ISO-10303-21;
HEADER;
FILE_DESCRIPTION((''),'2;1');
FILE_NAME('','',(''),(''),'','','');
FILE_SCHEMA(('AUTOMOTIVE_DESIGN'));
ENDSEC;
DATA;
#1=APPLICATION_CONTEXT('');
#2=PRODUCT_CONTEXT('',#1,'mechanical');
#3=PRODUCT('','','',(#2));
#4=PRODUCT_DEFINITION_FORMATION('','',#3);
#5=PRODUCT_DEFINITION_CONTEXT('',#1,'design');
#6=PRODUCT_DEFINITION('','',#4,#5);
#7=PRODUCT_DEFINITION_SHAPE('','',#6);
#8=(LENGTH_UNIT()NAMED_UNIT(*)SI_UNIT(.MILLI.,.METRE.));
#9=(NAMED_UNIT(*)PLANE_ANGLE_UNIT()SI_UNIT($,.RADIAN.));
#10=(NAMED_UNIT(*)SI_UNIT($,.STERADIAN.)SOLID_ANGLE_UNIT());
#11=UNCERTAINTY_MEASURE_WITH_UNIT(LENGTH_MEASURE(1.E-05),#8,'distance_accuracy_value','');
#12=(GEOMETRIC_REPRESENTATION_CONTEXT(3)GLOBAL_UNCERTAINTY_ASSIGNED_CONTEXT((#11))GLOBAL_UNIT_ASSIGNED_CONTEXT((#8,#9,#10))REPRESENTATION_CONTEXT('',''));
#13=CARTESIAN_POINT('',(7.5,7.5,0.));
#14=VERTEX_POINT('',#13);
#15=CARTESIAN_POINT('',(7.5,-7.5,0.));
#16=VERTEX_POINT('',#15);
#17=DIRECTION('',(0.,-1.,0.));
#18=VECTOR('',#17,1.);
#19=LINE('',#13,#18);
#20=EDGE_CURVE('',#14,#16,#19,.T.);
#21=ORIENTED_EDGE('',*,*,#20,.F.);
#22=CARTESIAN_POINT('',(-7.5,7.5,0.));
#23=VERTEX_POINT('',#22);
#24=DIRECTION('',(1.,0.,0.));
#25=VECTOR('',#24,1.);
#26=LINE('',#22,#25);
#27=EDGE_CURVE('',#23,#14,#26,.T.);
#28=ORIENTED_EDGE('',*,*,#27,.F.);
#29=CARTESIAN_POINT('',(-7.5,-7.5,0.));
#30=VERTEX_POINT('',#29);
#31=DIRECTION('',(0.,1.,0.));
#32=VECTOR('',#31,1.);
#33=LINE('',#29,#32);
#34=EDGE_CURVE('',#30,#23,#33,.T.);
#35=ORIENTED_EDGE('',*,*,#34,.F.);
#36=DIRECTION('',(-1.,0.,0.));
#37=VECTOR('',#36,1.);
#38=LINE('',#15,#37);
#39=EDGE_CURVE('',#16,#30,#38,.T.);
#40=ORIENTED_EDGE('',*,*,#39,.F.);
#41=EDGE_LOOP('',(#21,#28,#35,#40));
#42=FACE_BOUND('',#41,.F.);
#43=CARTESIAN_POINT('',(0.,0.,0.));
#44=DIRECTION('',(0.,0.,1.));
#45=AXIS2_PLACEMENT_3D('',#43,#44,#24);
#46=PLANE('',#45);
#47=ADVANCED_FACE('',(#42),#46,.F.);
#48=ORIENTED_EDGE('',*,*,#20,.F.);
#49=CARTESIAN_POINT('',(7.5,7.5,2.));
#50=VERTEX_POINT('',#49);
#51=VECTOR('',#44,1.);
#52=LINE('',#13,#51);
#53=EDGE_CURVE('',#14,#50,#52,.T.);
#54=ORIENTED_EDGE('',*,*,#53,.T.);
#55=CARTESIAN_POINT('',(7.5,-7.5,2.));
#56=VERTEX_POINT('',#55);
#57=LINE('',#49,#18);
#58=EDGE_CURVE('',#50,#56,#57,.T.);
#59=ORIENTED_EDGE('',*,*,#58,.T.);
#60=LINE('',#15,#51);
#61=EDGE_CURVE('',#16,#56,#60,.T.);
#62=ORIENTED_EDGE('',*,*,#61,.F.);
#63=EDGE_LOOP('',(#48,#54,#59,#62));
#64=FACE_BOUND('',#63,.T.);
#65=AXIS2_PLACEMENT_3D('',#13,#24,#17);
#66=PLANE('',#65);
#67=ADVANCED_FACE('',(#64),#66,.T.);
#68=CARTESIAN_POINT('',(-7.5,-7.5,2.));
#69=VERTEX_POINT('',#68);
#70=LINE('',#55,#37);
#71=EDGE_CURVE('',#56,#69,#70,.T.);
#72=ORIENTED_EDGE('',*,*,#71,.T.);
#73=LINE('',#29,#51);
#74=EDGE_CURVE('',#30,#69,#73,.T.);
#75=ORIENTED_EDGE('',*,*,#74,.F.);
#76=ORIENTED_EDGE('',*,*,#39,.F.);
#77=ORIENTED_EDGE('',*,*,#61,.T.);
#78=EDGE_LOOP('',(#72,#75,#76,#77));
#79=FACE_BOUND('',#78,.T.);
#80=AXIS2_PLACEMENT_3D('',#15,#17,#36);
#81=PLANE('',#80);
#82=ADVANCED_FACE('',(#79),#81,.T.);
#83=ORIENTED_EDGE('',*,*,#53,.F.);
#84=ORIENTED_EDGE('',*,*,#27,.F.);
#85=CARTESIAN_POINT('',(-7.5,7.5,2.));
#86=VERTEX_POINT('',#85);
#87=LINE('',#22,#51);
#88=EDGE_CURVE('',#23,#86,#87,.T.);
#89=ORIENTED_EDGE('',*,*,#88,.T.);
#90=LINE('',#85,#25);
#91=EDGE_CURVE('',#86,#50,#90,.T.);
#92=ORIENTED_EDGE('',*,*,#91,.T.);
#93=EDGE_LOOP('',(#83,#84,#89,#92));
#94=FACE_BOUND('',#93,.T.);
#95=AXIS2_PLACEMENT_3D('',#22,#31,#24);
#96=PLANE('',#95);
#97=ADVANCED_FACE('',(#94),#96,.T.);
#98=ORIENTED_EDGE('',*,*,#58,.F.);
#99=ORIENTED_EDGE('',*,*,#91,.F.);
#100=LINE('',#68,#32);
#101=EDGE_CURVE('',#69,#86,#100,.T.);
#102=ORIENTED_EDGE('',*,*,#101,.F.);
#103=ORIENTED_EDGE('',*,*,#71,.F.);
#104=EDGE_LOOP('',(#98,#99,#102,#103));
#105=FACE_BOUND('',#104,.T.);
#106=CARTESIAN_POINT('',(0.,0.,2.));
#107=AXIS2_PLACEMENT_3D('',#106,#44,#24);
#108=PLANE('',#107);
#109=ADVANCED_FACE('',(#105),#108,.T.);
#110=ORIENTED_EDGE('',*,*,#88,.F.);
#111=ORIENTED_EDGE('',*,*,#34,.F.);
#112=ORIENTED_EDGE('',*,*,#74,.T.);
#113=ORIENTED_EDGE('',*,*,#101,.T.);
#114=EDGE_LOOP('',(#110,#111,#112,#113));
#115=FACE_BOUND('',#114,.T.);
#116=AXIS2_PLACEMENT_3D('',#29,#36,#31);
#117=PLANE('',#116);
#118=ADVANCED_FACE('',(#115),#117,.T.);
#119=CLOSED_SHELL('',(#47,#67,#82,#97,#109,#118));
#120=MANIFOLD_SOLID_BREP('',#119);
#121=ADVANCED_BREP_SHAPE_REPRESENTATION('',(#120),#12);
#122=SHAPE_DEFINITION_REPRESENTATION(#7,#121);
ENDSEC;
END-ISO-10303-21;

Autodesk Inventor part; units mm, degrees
ref_plane "YZ Plane" through (0, 0, 0) normal (1, 0, 0) x (0, 1, 0)
ref_plane "XZ Plane" through (0, 0, 0) normal (0, 1, 0) x (-1, 0, 0)
ref_plane "XY Plane" through (0, 0, 0) normal (0, 0, 1) x (1, 0, 0)
sketch "Sketch1" plane through (0, 0, 0) normal (0, 0, 1) x (1, 0, 0)
  line L0 (-7.5, 7.5) -> (7.5, 7.5)
  line L1 (7.5, 7.5) -> (7.5, -7.5)
  line L2 (7.5, -7.5) -> (-7.5, -7.5)
  line L3 (-7.5, -7.5) -> (-7.5, 7.5)
  point P0 (0, 0)
  point P1 (0, 7.5)
  point P2 (7.5, 0)
  dimension "d0" = 15
  dimension "d1" = 15
extrude "Extrusion1" add sketch "Sketch1" along normal blind 2
properties part number "LI0015-PI B DIE"
